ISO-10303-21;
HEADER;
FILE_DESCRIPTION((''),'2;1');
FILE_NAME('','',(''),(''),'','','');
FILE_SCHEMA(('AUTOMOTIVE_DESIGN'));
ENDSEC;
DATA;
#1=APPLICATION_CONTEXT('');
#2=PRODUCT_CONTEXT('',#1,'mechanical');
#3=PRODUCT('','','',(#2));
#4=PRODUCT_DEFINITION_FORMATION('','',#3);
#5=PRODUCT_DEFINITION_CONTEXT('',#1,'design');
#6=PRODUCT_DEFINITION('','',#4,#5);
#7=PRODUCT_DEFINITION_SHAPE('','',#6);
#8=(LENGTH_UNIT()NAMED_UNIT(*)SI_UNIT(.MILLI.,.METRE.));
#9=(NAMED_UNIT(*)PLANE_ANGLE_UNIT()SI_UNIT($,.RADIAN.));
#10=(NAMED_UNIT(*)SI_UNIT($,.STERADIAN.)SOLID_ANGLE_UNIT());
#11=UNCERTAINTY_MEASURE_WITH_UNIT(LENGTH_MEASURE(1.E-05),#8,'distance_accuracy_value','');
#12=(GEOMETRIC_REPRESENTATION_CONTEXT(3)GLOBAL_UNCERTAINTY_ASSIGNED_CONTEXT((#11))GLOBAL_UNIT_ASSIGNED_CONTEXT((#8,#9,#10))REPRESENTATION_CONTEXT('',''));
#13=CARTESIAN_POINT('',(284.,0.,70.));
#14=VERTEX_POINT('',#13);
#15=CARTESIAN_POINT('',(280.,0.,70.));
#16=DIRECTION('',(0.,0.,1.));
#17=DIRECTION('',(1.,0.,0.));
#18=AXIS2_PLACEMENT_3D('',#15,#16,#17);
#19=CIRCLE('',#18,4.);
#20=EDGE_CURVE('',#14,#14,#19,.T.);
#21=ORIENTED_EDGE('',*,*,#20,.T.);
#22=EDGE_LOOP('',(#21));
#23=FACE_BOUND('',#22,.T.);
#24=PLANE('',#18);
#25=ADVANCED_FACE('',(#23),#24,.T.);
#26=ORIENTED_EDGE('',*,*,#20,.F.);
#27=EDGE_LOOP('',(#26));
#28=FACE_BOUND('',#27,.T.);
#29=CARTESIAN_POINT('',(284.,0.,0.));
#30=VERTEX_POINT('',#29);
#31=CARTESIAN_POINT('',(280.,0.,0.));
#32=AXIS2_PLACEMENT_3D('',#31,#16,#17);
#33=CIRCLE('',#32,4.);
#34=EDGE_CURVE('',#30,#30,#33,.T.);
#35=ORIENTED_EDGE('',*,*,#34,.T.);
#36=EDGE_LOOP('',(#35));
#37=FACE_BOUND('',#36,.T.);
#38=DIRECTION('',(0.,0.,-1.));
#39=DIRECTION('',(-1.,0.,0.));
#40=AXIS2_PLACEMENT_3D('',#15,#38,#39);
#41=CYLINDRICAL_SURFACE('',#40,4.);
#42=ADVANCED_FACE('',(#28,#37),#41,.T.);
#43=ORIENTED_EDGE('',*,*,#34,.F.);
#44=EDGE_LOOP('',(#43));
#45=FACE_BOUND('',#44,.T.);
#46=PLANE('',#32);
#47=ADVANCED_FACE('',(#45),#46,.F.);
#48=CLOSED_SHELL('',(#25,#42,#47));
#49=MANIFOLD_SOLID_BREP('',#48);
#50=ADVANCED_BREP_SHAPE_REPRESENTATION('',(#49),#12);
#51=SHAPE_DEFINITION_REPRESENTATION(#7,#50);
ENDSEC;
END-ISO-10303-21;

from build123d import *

# Parameters (mm, degrees)
ESQUISSE1_R        = 4
BOSS_EXTRU_1_DEPTH = 70


with BuildPart() as part:
    # Esquisse1 → Boss.-Extru.1 (new body)
    with BuildSketch(Plane.XY):
        with Locations((280, 0)):
            Circle(ESQUISSE1_R)
    extrude(amount=BOSS_EXTRU_1_DEPTH)


solid = part.part
